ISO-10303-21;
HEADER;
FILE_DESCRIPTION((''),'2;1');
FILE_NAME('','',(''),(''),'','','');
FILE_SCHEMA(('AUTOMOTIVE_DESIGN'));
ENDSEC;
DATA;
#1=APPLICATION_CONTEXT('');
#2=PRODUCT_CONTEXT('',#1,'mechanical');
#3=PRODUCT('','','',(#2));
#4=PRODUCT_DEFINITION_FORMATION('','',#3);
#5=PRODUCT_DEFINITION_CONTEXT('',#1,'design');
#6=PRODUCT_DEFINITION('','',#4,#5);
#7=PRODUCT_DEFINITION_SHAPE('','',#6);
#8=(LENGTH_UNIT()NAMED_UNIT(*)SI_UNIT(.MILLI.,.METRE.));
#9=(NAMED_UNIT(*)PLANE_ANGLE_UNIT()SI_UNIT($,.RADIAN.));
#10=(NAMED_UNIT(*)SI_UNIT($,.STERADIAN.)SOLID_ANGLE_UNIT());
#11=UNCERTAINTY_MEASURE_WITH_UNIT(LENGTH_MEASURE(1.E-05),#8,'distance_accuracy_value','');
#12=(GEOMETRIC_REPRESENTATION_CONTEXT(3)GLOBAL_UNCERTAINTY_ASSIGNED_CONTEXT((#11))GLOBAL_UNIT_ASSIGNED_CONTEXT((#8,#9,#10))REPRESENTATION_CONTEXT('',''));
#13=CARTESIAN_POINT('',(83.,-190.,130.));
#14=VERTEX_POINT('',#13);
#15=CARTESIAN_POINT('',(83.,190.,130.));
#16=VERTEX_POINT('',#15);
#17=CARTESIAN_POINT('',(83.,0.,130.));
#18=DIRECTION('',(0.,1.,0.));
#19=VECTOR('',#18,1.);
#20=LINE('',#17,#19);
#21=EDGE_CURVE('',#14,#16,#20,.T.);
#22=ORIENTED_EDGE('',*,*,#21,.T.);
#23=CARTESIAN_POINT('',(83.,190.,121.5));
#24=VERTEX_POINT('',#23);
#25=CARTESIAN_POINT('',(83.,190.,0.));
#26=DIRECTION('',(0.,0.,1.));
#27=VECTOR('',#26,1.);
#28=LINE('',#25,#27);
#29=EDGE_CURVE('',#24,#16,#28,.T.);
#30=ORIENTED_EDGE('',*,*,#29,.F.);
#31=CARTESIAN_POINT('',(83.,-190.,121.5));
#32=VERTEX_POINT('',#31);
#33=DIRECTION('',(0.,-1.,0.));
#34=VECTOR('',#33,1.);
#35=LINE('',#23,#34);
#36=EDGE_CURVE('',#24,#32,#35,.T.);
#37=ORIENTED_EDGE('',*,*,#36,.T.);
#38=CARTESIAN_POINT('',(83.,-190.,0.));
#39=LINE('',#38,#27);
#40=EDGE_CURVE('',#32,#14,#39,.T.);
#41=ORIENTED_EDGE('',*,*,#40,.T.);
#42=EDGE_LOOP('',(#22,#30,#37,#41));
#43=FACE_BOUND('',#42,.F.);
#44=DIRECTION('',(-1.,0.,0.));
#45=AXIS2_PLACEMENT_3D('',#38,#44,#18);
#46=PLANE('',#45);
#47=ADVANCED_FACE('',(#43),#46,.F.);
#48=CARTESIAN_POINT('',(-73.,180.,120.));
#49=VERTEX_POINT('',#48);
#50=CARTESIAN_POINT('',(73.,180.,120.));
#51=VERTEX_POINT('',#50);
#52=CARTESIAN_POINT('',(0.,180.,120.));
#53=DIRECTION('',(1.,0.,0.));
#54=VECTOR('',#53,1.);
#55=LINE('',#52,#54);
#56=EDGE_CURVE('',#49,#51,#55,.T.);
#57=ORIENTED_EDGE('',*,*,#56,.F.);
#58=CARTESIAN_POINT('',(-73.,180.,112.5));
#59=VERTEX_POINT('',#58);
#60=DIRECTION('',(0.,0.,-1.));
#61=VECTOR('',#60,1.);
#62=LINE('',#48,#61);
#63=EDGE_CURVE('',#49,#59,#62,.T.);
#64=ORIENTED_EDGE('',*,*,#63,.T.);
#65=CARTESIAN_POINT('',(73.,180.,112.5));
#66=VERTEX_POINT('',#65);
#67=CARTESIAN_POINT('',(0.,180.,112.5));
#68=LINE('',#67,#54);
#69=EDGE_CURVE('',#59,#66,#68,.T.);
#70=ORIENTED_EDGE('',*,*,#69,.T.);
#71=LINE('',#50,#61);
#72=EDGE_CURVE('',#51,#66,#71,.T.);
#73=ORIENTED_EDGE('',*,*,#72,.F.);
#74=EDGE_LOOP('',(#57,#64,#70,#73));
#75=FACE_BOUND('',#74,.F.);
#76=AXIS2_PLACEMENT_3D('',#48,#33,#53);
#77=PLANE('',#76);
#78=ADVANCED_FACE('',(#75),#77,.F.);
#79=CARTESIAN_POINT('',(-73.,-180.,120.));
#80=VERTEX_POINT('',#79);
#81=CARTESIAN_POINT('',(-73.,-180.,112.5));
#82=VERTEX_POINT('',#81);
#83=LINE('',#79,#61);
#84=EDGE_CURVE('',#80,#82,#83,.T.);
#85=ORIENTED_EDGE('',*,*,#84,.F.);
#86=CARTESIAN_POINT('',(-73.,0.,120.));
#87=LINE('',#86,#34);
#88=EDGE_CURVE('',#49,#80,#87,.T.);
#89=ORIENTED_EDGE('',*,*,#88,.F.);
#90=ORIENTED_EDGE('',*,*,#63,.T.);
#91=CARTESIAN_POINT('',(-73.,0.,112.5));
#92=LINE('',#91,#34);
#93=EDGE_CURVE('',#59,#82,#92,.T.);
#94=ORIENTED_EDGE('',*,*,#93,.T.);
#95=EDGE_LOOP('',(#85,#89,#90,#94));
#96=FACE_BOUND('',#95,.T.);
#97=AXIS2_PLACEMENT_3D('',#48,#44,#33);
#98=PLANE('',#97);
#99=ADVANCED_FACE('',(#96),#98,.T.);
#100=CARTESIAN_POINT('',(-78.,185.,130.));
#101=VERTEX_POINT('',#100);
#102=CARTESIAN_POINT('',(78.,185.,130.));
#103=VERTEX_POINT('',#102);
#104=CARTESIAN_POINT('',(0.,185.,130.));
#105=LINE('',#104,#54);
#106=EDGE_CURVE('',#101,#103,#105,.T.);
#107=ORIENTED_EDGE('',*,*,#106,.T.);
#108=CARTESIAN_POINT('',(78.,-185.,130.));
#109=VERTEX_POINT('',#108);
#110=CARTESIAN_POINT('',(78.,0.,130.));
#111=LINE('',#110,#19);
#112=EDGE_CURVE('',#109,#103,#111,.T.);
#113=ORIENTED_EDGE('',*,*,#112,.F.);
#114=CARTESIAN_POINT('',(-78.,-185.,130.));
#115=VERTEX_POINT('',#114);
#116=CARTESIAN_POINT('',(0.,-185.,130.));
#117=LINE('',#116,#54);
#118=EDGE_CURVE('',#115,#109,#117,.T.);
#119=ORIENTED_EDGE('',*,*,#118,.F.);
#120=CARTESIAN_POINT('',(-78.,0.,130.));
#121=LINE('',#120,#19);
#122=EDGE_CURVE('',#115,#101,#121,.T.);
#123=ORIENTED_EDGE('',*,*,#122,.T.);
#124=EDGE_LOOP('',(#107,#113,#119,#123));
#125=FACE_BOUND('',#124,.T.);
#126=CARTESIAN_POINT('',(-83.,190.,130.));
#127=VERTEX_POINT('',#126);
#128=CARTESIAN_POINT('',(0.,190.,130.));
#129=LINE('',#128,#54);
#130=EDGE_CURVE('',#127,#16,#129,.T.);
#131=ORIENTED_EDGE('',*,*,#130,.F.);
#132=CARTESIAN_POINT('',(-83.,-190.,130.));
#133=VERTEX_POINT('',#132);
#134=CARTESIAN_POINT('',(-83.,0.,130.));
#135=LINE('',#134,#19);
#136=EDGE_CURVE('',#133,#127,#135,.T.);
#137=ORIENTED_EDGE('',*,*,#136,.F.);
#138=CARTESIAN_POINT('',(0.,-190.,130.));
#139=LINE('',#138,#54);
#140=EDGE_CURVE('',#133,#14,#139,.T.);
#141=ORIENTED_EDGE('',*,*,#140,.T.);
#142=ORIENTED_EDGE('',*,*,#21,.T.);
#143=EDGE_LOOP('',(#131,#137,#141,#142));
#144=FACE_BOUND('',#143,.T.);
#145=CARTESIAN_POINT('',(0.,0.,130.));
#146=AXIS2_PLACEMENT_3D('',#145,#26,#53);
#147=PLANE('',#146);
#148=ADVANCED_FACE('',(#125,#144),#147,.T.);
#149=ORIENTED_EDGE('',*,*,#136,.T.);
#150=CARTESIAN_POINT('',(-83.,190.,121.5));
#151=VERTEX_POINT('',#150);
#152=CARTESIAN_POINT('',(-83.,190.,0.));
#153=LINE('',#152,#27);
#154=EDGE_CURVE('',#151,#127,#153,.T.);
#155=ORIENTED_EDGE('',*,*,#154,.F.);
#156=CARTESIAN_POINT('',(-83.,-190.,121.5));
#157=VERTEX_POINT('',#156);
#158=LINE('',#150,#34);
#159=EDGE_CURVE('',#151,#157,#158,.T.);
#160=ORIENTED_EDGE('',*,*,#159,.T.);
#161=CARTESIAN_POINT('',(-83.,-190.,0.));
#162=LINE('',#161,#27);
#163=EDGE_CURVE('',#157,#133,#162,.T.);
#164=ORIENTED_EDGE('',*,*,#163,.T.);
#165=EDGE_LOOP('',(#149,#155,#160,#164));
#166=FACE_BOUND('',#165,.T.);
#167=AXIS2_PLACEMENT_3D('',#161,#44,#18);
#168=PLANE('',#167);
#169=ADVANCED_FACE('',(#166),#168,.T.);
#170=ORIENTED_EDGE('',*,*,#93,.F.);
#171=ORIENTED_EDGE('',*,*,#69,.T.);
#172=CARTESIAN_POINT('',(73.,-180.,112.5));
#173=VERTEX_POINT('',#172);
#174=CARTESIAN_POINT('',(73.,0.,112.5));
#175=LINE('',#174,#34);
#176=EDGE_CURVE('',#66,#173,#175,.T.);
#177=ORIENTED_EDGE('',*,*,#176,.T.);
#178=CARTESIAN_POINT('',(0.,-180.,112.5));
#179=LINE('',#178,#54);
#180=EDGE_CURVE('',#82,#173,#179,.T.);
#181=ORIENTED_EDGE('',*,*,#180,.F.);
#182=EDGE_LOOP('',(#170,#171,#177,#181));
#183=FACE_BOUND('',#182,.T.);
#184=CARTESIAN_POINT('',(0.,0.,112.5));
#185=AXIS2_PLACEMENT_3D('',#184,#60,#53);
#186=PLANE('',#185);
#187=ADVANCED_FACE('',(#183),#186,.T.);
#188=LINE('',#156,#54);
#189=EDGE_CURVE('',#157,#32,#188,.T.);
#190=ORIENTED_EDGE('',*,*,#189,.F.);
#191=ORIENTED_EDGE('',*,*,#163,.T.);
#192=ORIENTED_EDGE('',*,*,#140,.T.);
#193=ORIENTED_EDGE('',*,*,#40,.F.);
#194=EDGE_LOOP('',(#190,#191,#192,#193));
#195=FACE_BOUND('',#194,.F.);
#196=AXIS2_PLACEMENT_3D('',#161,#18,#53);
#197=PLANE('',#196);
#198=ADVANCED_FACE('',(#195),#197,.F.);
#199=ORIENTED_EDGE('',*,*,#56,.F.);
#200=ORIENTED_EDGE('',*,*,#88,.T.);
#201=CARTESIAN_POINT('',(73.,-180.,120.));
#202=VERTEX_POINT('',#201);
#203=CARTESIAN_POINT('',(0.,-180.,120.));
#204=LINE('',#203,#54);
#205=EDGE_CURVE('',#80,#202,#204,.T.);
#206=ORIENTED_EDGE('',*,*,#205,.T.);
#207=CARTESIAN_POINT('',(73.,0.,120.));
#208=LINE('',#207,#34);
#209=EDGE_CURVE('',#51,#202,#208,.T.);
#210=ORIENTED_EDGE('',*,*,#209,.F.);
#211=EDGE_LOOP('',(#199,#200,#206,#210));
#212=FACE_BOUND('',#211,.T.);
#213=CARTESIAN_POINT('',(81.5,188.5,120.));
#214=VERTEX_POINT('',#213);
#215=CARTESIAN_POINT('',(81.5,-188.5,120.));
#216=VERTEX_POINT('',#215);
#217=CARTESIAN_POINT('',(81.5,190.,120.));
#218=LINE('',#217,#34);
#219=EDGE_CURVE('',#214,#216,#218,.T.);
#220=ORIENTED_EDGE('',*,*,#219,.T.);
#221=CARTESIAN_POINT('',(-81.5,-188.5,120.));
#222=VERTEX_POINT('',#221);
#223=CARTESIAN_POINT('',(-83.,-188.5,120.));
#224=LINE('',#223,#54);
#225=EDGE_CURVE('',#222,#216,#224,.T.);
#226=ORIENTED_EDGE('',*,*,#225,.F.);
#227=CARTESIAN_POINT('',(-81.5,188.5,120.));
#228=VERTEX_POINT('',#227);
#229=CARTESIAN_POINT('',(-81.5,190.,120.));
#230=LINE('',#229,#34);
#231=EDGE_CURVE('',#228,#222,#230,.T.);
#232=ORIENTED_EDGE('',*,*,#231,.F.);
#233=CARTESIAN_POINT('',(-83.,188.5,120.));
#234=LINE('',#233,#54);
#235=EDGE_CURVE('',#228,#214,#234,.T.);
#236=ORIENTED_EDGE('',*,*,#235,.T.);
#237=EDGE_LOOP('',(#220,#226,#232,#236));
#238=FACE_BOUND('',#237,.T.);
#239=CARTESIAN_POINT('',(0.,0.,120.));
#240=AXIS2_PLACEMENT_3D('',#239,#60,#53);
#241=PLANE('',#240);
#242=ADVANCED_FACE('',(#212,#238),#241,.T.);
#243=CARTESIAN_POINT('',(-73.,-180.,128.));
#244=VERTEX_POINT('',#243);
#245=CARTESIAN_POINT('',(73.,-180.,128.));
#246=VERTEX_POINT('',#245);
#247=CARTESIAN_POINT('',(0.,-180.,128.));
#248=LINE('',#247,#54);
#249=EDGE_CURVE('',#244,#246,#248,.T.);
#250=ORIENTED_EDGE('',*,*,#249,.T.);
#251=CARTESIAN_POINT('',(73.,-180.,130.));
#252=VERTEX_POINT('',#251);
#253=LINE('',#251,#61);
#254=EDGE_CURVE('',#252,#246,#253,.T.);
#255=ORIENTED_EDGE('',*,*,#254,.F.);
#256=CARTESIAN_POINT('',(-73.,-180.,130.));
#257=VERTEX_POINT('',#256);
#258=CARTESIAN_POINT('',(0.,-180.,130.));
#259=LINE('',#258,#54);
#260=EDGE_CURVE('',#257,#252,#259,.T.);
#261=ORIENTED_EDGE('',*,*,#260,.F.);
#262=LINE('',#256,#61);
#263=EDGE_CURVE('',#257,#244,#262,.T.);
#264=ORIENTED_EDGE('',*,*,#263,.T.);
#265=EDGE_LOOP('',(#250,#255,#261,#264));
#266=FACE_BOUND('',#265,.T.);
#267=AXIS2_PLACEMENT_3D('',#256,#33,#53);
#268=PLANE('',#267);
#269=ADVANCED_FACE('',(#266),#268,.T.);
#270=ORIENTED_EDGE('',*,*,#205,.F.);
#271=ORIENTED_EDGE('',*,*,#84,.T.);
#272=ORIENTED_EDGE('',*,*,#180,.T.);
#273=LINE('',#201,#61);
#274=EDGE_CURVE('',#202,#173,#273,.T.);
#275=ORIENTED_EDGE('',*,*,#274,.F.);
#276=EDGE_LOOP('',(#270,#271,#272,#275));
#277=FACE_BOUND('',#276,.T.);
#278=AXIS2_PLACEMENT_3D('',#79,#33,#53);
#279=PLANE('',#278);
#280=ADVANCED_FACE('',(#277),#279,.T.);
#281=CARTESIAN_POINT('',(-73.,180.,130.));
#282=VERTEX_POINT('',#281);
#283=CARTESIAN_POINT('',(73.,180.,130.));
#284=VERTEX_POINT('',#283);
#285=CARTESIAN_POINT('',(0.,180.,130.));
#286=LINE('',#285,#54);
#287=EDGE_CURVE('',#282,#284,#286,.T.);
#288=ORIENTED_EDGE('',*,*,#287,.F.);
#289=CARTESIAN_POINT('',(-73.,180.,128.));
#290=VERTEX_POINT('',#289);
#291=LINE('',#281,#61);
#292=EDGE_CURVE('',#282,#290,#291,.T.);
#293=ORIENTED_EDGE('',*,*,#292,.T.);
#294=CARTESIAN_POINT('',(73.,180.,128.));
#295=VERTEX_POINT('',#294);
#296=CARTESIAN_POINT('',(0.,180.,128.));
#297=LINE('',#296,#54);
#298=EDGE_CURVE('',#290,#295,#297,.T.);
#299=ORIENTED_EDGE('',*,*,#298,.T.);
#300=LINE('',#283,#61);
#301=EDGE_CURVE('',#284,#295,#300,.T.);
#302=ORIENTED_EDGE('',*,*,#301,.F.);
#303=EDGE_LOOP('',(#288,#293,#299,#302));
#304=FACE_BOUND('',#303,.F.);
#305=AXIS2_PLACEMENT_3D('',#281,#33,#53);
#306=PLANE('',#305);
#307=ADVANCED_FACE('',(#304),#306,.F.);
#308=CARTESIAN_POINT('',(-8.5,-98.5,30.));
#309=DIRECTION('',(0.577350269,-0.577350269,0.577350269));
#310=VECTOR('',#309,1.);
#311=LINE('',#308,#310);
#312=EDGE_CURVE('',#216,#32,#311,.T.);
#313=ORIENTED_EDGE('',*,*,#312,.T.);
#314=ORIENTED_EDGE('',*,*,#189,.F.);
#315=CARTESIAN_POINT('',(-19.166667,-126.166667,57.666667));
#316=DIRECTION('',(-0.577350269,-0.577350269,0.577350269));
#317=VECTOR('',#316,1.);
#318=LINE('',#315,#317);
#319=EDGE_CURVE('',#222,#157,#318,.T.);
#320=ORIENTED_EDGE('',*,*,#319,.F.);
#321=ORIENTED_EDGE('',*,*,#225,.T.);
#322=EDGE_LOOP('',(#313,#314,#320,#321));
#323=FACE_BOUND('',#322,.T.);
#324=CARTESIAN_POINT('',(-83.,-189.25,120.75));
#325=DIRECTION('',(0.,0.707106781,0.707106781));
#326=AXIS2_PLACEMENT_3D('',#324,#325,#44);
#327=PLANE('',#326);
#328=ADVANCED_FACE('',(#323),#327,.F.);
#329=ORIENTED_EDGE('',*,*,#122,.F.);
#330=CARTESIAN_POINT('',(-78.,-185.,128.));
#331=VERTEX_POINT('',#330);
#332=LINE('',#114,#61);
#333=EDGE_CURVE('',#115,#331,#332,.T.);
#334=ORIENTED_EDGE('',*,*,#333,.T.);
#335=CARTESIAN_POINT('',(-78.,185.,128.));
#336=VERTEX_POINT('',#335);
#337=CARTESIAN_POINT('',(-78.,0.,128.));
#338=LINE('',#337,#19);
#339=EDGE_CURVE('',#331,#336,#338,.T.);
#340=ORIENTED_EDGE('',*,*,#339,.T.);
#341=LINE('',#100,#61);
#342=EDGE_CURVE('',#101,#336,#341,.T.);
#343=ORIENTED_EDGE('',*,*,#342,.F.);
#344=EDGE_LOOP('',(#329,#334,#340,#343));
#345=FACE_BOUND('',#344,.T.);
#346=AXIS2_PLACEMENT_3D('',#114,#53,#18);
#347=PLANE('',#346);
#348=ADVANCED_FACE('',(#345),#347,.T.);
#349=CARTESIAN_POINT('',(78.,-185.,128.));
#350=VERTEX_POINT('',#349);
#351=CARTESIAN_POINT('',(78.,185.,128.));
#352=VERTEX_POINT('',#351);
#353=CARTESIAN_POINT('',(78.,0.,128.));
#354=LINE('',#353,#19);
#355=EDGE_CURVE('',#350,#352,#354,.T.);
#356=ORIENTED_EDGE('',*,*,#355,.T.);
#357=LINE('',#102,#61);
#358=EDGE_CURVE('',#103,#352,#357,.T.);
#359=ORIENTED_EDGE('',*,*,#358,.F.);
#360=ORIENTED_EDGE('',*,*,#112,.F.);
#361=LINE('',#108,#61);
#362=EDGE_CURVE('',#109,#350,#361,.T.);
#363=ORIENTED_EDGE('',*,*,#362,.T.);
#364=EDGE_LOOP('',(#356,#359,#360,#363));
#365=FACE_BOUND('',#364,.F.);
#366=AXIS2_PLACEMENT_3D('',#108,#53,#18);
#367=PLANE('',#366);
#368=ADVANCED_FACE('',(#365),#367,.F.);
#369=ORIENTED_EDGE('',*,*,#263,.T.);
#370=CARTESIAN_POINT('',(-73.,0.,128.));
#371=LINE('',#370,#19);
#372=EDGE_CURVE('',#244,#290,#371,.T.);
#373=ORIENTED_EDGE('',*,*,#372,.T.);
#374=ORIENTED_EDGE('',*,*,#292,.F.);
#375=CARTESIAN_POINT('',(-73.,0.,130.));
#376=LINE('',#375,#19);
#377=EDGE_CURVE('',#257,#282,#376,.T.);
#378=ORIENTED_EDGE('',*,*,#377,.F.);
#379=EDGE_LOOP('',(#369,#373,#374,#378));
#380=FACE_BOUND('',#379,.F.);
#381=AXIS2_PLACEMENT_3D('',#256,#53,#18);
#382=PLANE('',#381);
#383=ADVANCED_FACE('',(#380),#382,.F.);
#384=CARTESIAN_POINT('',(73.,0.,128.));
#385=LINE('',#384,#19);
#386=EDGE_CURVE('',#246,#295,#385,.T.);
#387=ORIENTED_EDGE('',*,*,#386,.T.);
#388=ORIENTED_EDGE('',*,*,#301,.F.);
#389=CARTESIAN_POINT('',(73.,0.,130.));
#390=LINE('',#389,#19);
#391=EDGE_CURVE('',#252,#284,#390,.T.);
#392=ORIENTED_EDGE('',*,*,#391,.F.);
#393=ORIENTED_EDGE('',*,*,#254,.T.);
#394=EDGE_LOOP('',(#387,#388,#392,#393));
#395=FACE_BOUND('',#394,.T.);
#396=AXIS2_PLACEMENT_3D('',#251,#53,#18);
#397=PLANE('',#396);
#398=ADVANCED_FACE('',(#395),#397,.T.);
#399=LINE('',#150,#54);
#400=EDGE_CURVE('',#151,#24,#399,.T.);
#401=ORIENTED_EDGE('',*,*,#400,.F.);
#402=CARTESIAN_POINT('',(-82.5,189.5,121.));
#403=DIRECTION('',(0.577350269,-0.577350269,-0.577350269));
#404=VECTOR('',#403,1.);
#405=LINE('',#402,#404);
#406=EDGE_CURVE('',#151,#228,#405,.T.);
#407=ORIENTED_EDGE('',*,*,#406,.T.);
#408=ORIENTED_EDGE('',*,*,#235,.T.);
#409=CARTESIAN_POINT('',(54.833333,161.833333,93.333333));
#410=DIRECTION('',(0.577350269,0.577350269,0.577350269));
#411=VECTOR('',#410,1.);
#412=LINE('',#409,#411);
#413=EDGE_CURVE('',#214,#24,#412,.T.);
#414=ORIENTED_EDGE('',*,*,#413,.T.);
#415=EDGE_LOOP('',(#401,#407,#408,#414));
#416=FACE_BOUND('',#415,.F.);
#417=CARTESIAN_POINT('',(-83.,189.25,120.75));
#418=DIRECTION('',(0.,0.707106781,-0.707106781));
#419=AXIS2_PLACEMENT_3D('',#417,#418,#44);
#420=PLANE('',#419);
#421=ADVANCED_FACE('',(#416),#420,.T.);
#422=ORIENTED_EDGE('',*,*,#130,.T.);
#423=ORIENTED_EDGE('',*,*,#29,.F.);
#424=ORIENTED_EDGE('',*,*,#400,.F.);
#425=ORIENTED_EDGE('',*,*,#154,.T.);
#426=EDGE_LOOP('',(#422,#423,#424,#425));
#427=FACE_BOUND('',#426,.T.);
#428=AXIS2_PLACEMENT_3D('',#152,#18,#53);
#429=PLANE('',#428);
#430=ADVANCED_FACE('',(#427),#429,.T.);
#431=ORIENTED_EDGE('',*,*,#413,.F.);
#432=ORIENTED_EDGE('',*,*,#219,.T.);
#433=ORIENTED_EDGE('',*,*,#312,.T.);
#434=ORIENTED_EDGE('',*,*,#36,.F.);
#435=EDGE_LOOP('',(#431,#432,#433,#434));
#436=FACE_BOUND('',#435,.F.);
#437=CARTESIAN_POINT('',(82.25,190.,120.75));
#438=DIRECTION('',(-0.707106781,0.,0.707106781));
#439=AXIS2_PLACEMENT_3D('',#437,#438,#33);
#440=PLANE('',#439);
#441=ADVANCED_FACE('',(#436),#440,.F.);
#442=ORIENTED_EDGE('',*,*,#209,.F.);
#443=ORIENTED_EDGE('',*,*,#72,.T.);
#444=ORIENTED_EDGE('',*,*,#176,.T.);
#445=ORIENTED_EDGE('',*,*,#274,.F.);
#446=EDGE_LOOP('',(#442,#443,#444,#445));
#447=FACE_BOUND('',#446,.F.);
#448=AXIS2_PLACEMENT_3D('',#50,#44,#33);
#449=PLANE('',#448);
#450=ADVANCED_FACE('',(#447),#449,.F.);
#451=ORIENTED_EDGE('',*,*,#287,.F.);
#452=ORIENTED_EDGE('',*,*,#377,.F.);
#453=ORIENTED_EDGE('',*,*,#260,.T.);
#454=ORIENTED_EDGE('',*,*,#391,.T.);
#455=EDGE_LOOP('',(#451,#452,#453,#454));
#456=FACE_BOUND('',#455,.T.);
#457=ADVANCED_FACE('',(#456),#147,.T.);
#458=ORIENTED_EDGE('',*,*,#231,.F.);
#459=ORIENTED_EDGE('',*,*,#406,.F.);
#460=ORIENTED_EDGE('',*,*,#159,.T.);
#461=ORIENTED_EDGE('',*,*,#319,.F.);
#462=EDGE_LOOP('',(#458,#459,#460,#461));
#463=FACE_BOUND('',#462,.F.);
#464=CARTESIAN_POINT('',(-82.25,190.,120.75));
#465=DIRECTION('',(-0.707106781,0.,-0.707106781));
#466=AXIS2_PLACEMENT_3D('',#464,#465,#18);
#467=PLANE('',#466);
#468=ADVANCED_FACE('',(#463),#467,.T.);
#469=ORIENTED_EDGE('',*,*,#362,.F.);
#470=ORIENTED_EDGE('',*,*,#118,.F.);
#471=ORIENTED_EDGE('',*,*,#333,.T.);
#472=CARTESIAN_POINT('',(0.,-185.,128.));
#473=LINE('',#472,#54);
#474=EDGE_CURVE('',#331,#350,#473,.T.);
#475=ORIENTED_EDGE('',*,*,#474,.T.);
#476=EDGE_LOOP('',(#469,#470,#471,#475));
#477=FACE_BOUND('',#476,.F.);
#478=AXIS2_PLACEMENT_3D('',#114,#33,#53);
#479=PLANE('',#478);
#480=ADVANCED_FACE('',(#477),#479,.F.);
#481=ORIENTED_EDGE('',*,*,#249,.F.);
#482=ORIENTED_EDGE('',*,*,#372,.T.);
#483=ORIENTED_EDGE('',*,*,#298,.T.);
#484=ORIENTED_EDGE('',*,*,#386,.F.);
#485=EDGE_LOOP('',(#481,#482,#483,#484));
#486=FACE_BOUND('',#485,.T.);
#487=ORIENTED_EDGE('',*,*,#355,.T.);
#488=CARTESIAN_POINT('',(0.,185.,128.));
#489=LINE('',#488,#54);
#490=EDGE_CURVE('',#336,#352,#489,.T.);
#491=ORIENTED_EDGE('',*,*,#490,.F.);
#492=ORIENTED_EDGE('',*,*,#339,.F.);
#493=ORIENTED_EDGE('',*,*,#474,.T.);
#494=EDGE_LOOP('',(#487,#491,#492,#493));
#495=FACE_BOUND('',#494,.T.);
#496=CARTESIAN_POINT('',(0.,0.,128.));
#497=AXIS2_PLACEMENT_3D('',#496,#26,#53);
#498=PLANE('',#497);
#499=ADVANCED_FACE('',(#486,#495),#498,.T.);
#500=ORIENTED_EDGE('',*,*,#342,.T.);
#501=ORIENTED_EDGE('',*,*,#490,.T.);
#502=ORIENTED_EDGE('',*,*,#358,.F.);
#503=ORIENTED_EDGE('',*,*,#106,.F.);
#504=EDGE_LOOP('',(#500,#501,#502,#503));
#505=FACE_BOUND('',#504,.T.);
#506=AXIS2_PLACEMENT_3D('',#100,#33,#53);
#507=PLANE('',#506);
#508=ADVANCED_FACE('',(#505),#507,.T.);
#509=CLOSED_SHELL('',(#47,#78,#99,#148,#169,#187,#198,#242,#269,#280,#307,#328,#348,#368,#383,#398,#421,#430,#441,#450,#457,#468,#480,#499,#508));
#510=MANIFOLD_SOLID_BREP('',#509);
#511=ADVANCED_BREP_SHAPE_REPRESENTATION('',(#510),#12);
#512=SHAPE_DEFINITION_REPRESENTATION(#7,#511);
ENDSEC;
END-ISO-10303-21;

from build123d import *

# Parameters (mm, degrees)
SKETCH004_W     = 166
SKETCH004_H     = 380
PAD002_DEPTH    = 130
SKETCH005_W     = 166
SKETCH005_H     = 380
POCKET002_DEPTH = 120
SKETCH006_W     = 146
SKETCH006_H     = 360
PAD003_DEPTH    = 7.5
SKETCH015_W     = 156
SKETCH015_H     = 370
SKETCH015_W_2   = 146
SKETCH015_H_2   = 360
POCKET008_DEPTH = 2
CHAMFER005_SIZE = 1.5


with BuildPart() as part:
    # Sketch004 → Pad002 (new body)
    with BuildSketch(Plane.XY):
        Rectangle(SKETCH004_W, SKETCH004_H)
    extrude(amount=PAD002_DEPTH)

    # Sketch005 (on Face5 of Pad002) → Pocket002 (cut)
    with BuildSketch(Plane(origin=(0, 0, 0), x_dir=(1, 0, 0), z_dir=(0, 0, -1))):
        Rectangle(SKETCH005_W, SKETCH005_H)
    extrude(amount=-POCKET002_DEPTH, mode=Mode.SUBTRACT)

    # Sketch006 (on Face2 of Pocket002) → Pad003 (join)
    with BuildSketch(Plane(origin=(0, 0, 120), x_dir=(1, 0, 0), z_dir=(0, 0, -1))):
        Rectangle(SKETCH006_W, SKETCH006_H)
    extrude(amount=PAD003_DEPTH)

    # Sketch015 (on Face4 of Pad003) → Pocket008 (cut)
    with BuildSketch(Plane.XY.offset(130)):
        Rectangle(SKETCH015_W, SKETCH015_H)
        Rectangle(SKETCH015_W_2, SKETCH015_H_2, mode=Mode.SUBTRACT)
    extrude(amount=-POCKET008_DEPTH, mode=Mode.SUBTRACT)

    # Chamfer005
    chamfer005_edges = [part.edges().sort_by_distance(p)[0] for p in [
        (83, 0, 120),
        (0, -190, 120),
        (-83, 0, 120),
        (0, 190, 120),
    ]]
    chamfer(chamfer005_edges, length=CHAMFER005_SIZE)


solid = part.part
